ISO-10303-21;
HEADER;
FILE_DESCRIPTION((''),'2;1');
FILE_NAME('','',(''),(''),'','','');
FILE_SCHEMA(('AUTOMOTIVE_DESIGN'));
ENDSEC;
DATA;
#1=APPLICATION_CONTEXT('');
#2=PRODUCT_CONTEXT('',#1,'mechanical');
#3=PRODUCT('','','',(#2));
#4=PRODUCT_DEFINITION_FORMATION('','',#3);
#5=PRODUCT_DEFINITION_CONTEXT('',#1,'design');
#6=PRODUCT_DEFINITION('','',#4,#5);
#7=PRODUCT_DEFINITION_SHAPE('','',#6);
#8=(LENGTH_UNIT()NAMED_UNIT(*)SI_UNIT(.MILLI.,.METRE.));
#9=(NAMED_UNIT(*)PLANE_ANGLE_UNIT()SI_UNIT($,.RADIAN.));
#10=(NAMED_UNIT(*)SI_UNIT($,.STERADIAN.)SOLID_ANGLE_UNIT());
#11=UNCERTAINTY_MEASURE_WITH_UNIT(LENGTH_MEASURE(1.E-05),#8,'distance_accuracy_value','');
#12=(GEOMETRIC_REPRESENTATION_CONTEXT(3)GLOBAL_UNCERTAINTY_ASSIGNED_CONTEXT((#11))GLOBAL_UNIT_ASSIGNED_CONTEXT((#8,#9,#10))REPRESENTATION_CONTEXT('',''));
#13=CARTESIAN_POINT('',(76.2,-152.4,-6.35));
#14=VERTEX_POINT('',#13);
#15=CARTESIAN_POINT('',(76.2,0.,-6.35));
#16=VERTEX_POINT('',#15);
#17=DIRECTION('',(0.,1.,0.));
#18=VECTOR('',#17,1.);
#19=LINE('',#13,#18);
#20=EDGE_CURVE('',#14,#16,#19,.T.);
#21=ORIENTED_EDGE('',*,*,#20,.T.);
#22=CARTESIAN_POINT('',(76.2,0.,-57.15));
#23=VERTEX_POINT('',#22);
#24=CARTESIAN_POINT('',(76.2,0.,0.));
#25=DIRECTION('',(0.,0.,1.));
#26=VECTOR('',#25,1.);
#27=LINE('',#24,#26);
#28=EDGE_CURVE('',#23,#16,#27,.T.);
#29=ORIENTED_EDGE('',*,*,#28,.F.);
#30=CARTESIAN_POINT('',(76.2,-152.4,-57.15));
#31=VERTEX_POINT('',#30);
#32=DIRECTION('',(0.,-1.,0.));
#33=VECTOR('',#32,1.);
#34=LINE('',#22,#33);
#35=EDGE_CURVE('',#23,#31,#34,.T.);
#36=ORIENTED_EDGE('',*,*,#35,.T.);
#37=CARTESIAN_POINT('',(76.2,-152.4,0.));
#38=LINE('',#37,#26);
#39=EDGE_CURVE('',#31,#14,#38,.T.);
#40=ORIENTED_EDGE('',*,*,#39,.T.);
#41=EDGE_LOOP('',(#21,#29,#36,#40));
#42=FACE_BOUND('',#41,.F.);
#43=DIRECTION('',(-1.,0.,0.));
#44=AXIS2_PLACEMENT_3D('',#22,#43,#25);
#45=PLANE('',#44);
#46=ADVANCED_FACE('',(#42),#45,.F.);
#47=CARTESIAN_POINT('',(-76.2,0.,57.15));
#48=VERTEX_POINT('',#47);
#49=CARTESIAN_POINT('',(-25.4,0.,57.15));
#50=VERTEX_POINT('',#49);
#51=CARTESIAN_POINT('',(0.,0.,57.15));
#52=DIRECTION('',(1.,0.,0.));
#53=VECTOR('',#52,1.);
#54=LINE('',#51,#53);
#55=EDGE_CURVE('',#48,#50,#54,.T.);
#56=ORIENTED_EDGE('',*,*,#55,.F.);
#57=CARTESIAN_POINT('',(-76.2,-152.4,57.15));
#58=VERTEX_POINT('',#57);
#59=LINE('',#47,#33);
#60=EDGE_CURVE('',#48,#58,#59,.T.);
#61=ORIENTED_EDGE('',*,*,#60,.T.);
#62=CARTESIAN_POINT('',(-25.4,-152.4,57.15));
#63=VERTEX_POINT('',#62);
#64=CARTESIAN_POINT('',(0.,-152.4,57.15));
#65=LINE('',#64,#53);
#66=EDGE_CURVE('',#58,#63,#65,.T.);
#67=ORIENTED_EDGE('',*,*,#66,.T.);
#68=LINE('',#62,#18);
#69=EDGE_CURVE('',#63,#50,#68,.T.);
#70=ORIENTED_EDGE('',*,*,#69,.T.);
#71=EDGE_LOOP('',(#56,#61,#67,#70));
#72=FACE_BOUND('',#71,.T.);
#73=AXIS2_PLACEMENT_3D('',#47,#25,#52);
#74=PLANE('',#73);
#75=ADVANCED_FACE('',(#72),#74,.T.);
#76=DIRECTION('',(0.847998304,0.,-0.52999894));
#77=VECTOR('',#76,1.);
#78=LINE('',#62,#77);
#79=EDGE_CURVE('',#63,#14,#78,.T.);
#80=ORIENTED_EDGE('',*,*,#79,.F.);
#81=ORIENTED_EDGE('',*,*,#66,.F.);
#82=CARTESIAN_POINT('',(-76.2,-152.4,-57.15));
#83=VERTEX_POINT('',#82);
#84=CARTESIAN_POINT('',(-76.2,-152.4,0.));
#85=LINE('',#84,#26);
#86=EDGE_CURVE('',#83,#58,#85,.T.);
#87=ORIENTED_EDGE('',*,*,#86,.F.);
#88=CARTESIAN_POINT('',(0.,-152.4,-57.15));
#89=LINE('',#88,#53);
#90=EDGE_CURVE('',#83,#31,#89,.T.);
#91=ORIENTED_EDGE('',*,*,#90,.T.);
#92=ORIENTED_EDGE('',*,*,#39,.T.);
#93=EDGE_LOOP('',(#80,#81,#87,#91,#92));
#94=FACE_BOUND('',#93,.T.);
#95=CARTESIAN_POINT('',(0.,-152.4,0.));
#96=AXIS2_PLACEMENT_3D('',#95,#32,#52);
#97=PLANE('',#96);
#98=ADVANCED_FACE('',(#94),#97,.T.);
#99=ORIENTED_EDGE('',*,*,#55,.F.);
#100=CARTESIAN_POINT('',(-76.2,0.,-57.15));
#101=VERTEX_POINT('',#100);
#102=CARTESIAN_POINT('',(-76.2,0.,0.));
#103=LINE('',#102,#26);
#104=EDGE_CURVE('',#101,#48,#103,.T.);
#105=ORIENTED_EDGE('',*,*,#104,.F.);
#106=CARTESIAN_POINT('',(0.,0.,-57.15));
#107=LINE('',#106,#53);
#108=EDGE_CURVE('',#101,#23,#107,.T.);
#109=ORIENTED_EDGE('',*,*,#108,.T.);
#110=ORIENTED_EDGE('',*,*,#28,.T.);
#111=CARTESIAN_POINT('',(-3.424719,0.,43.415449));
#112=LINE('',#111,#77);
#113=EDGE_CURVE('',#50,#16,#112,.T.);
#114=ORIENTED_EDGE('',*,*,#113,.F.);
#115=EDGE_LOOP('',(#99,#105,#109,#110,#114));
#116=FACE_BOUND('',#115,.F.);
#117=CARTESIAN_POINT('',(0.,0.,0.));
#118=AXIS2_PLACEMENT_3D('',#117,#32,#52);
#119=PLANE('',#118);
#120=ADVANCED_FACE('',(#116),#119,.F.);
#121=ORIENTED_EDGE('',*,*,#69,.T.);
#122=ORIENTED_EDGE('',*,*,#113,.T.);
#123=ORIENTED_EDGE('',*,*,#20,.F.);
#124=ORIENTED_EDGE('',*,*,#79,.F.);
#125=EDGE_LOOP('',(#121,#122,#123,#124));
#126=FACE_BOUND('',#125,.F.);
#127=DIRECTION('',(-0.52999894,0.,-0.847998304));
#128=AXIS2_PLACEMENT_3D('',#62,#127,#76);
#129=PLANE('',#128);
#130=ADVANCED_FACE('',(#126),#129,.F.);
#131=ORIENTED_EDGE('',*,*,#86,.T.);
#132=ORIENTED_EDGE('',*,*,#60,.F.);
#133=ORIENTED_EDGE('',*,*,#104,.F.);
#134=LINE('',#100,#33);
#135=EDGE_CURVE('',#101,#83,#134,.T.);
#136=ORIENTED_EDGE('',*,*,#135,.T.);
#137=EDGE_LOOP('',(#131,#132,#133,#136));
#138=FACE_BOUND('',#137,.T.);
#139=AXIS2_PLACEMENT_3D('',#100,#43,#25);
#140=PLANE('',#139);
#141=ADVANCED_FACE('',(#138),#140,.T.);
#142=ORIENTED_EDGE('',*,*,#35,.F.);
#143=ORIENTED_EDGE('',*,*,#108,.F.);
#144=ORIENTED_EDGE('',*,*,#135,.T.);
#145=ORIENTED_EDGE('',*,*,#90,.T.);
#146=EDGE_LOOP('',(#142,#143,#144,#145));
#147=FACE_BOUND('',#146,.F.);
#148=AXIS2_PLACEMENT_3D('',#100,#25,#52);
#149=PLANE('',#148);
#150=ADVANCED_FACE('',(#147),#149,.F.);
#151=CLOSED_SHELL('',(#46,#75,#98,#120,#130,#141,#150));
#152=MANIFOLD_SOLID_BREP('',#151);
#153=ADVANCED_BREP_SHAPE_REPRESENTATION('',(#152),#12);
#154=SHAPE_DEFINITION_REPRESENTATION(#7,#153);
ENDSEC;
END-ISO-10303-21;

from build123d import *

# Parameters (mm, degrees)
F0_W     = 152.4
F0_H     = 114.3
F1_DEPTH = 152.4
F3_DEPTH = 152.401


with BuildPart() as f1:
    # F0 (on Front) → F1 (new body)
    with BuildSketch(Plane.XZ):
        Rectangle(F0_W, F0_H)
    extrude(amount=F1_DEPTH)

    # F2 (on face) → F3 (cut, through all)
    with BuildSketch(Plane.XZ.offset(152.4)):
        Polygon((76.2, 57.15), (-25.4, 57.15), (76.2, -6.35), align=None)
    extrude(amount=-F3_DEPTH, mode=Mode.SUBTRACT)


solid = f1.part
